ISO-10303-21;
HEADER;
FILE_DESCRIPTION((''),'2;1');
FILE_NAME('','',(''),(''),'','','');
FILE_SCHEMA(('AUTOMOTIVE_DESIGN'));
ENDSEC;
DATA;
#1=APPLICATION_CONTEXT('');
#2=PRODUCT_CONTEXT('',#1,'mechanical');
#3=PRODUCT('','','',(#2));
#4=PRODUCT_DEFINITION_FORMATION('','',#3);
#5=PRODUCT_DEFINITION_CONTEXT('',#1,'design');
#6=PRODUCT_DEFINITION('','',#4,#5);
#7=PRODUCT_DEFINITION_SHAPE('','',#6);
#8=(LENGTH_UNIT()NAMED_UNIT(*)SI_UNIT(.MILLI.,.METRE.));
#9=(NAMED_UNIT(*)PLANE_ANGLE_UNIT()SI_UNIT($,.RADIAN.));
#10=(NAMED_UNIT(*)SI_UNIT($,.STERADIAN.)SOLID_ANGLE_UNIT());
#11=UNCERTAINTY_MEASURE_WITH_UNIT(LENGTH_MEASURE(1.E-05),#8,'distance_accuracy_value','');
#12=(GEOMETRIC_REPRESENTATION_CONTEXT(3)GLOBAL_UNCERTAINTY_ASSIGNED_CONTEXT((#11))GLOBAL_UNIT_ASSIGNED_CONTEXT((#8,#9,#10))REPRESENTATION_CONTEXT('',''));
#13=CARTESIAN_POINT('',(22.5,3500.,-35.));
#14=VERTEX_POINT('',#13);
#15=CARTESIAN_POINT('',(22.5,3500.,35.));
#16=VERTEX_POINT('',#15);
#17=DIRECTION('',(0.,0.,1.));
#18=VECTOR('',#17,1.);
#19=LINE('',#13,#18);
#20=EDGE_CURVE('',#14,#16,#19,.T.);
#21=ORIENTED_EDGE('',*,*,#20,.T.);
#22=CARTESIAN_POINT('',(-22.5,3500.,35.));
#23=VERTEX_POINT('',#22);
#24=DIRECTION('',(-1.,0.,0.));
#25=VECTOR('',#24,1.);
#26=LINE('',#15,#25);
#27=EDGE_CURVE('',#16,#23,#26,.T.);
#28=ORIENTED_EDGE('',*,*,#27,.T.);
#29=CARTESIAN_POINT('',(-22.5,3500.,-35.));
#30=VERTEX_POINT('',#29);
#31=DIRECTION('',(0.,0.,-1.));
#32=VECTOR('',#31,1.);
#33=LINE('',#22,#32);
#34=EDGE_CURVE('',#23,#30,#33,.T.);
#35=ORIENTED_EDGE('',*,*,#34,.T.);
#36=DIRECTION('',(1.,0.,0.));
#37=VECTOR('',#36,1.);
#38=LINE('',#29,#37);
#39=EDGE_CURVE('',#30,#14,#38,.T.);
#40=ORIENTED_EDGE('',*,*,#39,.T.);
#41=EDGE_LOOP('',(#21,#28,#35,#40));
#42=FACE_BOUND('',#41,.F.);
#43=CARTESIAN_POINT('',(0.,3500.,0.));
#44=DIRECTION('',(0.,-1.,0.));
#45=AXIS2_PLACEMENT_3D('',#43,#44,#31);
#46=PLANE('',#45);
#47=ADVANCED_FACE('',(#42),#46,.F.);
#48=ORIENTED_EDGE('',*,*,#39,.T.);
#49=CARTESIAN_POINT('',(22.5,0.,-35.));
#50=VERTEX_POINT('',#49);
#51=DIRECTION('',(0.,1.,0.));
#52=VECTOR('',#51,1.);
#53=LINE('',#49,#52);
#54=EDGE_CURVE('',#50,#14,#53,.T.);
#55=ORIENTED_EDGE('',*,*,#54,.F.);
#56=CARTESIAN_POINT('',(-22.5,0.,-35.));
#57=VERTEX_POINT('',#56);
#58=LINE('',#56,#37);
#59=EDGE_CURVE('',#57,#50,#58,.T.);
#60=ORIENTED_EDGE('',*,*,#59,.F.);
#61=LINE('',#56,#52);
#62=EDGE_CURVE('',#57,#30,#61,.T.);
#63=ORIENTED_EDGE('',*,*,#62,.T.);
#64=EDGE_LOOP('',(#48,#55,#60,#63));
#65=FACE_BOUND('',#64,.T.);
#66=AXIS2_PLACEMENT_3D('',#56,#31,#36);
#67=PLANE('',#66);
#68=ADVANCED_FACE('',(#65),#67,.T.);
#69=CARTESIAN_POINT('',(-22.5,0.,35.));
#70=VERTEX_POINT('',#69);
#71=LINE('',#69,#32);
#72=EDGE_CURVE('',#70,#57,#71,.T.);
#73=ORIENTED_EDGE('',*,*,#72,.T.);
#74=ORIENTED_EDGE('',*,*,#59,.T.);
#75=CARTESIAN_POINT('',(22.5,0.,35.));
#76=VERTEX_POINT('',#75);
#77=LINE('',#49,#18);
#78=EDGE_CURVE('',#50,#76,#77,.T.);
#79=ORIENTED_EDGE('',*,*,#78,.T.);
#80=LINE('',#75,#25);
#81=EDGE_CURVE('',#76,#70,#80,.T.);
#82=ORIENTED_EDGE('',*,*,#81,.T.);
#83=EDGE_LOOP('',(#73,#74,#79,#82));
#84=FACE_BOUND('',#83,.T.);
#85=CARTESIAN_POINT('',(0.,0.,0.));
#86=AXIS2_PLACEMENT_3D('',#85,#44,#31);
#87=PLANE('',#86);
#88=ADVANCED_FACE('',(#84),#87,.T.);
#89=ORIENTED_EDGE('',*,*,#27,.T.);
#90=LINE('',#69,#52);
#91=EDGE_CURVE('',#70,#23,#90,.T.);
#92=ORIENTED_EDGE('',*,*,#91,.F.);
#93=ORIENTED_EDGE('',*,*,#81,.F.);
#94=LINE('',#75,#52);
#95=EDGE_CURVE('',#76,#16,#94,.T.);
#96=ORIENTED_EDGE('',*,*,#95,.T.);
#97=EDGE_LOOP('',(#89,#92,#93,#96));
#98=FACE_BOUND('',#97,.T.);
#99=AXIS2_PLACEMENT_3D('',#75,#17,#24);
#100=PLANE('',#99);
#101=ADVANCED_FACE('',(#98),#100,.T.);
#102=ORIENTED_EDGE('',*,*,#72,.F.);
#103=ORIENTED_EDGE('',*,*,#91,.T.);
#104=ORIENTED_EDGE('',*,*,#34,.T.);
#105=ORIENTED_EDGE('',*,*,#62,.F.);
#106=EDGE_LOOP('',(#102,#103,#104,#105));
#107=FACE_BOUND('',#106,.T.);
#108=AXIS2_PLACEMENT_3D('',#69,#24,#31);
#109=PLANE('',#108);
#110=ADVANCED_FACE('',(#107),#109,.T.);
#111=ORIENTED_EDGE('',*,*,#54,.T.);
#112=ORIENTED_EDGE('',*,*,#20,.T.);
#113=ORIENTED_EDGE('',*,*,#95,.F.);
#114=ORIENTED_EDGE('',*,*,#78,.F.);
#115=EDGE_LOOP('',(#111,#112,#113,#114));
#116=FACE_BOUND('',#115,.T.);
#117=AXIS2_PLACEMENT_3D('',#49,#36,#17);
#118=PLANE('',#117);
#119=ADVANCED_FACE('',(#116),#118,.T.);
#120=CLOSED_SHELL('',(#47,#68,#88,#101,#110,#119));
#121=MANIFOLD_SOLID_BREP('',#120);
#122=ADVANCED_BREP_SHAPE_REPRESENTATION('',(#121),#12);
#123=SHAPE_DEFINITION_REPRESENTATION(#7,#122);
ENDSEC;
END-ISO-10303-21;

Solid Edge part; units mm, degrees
sketch "Sketch1" plane through (0, 0, 0) normal (0, -1, 0) x (1, 0, 0)
  line L0 (-22.5, -35) -> (22.5, -35)
  line L1 (22.5, -35) -> (22.5, 35)
  line L2 (22.5, 35) -> (-22.5, 35)
  line L3 (-22.5, 35) -> (-22.5, -35)
extrude "Protrusion1" add sketch "Sketch1" against normal blind 3500
properties material "Wood, Pine"
